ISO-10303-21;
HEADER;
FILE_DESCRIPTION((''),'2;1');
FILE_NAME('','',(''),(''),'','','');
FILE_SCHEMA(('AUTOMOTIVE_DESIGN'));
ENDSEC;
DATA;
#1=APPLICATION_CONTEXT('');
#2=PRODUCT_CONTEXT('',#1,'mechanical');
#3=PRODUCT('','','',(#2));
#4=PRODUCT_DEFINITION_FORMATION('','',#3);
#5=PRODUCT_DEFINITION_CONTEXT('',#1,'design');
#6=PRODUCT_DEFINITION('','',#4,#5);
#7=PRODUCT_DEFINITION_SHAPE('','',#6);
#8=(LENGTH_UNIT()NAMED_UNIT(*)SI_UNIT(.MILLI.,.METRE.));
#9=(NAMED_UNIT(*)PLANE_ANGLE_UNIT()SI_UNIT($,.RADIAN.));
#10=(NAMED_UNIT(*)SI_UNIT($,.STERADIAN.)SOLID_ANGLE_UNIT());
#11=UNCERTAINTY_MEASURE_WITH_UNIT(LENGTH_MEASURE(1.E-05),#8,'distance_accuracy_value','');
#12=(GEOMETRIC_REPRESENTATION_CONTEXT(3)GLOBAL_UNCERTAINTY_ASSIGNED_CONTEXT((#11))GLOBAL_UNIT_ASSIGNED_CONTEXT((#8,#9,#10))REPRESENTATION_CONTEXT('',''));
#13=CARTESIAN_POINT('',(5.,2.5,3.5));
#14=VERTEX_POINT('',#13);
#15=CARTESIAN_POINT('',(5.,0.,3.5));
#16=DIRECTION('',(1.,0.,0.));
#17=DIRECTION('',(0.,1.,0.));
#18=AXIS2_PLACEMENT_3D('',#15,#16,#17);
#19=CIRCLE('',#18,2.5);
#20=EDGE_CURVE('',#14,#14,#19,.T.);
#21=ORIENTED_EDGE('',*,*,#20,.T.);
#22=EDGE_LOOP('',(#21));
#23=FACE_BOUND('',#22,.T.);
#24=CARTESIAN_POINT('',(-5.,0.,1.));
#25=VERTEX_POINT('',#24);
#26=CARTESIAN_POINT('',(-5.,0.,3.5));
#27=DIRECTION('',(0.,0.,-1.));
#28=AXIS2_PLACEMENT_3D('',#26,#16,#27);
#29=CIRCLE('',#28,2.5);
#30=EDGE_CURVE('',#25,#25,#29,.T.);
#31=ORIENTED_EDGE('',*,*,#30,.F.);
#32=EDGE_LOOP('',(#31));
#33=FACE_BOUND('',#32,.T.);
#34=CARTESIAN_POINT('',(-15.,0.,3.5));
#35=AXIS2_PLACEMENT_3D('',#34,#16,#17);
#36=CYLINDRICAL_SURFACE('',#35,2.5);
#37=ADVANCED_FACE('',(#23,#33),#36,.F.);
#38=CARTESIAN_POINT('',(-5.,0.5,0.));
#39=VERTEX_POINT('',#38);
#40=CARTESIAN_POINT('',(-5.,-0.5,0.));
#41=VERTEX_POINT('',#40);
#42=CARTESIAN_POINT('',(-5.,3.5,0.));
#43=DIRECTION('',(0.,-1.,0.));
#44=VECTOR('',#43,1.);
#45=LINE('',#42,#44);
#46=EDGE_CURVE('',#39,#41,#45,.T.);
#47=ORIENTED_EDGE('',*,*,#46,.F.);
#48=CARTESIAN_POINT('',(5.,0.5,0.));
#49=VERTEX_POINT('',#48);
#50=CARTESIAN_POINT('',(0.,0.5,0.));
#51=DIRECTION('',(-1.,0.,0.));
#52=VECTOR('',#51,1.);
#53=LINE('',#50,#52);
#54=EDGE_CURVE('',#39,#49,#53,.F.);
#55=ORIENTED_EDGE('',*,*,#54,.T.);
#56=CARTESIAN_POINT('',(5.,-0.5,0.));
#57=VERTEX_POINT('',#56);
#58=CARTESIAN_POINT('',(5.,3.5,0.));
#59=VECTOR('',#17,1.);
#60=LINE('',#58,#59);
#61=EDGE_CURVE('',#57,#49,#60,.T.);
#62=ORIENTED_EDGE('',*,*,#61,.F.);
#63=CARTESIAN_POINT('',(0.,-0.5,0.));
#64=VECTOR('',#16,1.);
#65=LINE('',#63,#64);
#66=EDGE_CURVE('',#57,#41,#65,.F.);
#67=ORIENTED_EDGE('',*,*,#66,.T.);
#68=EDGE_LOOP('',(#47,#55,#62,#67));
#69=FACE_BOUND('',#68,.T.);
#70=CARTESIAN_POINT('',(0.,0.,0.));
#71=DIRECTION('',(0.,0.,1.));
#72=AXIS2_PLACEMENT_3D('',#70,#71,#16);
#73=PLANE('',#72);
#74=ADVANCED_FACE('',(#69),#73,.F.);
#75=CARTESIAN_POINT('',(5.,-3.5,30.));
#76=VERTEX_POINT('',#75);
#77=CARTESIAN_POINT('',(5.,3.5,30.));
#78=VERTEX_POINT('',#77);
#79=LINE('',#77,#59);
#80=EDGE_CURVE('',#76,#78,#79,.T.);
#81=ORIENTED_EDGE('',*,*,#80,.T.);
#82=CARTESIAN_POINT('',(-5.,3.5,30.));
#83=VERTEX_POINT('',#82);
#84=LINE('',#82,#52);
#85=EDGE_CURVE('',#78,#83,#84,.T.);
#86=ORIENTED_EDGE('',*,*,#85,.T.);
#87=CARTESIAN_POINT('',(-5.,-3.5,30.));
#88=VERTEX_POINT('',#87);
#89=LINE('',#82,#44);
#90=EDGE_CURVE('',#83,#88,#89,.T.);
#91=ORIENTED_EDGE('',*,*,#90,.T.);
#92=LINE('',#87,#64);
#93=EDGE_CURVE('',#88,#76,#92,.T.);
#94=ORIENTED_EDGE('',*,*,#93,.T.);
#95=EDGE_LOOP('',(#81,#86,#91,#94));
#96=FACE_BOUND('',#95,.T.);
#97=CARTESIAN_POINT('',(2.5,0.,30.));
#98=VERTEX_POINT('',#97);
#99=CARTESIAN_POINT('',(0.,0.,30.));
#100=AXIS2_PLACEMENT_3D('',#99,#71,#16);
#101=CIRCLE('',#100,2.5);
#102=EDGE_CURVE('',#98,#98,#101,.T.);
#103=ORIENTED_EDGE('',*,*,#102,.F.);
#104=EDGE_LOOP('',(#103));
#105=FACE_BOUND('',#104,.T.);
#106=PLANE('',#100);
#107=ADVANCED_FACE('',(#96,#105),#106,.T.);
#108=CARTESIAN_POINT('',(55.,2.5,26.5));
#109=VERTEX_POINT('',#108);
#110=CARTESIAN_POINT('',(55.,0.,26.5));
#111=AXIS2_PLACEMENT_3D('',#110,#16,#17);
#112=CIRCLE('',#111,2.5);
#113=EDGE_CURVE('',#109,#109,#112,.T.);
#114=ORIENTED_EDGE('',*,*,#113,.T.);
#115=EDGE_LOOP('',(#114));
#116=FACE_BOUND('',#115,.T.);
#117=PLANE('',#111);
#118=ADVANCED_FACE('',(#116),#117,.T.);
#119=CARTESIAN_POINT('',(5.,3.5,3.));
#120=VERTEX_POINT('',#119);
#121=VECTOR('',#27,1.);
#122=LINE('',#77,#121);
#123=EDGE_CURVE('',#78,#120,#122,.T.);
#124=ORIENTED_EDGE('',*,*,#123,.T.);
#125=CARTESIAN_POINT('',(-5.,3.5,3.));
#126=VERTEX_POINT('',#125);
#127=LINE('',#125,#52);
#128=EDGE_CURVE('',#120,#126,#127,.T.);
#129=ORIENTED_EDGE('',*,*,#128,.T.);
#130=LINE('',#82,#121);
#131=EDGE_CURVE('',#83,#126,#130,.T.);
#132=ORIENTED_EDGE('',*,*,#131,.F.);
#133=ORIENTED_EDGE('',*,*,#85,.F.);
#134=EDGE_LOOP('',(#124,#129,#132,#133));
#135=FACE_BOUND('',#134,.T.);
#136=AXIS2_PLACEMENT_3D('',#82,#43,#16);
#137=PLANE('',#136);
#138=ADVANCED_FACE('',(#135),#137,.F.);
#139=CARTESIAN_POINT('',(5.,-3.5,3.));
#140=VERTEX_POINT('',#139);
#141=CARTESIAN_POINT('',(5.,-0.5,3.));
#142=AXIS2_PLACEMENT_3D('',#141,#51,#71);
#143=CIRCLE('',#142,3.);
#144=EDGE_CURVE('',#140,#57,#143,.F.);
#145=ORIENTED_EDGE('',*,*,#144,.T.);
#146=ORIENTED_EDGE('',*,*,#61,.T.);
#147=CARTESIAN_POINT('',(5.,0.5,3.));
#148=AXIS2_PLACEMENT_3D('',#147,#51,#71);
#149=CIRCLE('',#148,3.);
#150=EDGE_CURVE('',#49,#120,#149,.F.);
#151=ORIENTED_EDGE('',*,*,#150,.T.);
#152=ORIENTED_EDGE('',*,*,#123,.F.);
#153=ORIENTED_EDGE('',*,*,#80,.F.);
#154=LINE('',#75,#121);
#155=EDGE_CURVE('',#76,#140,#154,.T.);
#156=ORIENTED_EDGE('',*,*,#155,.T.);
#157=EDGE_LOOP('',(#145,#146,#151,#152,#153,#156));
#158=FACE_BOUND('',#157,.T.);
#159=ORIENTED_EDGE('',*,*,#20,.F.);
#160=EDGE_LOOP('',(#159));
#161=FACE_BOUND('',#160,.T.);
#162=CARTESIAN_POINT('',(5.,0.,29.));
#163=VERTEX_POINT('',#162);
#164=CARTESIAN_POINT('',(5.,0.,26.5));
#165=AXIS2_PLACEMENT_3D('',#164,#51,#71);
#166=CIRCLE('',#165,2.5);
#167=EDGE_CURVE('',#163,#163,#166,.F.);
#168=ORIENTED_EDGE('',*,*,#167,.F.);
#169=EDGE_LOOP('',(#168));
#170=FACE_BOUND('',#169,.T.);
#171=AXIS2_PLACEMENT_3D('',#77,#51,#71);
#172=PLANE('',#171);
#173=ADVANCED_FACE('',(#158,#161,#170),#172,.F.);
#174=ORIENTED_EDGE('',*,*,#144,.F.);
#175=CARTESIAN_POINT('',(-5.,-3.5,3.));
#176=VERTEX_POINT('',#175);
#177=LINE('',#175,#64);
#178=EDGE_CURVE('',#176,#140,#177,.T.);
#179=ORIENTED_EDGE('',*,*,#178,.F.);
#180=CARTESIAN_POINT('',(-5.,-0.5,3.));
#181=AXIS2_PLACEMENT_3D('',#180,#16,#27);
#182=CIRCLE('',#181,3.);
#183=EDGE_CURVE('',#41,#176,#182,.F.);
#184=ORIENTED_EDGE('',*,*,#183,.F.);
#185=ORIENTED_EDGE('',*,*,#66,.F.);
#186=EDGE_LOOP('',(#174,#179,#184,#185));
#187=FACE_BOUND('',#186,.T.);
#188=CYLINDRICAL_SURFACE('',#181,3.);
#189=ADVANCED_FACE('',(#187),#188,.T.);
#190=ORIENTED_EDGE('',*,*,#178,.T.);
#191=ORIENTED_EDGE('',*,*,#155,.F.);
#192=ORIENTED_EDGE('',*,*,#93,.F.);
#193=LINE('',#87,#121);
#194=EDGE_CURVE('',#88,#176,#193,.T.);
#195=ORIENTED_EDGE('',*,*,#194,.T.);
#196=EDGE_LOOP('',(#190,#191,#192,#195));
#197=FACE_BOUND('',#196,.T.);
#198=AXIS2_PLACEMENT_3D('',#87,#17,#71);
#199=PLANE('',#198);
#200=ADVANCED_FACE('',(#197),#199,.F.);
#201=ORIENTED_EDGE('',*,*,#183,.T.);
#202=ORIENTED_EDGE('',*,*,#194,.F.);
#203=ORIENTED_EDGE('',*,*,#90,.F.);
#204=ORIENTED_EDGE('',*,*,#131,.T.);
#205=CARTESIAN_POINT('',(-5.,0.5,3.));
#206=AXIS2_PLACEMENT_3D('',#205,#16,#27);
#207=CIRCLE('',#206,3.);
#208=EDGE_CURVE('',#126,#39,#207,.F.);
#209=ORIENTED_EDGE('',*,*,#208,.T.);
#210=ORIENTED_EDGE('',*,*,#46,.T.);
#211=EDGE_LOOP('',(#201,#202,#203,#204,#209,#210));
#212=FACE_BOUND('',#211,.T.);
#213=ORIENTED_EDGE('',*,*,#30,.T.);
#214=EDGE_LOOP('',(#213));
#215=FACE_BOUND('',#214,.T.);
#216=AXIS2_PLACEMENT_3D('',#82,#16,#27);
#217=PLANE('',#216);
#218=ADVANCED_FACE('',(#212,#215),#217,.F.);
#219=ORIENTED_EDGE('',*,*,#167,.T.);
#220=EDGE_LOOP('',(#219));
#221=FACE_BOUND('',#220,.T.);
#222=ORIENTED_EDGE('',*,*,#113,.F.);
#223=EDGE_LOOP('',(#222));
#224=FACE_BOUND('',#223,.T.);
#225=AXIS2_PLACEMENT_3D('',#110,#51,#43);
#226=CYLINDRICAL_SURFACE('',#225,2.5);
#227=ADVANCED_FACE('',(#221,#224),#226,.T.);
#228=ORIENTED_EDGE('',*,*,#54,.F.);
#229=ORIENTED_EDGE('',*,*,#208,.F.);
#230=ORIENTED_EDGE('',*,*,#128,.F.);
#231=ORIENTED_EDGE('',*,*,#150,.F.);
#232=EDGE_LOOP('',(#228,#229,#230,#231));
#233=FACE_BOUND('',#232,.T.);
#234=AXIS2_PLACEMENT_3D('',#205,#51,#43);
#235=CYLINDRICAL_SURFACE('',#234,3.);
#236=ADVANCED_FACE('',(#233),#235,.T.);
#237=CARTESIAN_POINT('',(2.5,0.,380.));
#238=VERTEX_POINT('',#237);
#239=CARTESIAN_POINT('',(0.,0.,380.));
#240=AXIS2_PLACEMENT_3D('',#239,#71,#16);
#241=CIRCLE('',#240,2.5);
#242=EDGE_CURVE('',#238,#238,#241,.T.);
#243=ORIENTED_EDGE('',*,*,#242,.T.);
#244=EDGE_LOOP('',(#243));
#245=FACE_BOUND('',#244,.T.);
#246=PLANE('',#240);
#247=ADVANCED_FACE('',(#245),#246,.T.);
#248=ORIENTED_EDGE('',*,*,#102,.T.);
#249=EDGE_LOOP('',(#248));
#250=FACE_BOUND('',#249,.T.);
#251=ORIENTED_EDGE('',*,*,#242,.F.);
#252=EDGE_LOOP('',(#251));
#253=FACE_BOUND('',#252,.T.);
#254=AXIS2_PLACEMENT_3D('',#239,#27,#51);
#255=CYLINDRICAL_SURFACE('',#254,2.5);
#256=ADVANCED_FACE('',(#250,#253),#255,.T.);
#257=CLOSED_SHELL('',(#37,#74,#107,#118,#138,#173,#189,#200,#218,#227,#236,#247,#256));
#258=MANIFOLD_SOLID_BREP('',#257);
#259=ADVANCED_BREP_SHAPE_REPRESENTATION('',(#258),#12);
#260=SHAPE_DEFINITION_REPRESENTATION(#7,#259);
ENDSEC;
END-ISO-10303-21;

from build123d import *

# Parameters (mm, degrees)
SKETCH1_W           = 10
SKETCH1_H           = 7
BOSS_EXTRUDE1_DEPTH = 30
SKETCH2_R           = 2.5
CUT_EXTRUDE2_DEPTH  = 20
SKETCH2_3_R         = 2.5
BOSS_EXTRUDE2_DEPTH = 50
FILLET1_R           = 3
SKETCH3_R           = 2.5
BOSS_EXTRUDE3_DEPTH = 350


with BuildPart() as part:
    # Sketch1 → Boss-Extrude1 (new body)
    with BuildSketch(Plane.XY):
        Rectangle(SKETCH1_W, SKETCH1_H)
    extrude(amount=BOSS_EXTRUDE1_DEPTH)

    # Sketch2 → Cut-Extrude2 (cut)
    with BuildSketch(Plane(origin=(5, 0, 0), x_dir=(0, 0, -1), z_dir=(1, 0, 0))):
        with Locations((-3.5, 0)):
            Circle(SKETCH2_R)
    extrude(amount=-CUT_EXTRUDE2_DEPTH, mode=Mode.SUBTRACT)

    # Sketch2<3> → Boss-Extrude2 (add)
    with BuildSketch(Plane(origin=(5, 0, 0), x_dir=(0, 0, -1), z_dir=(1, 0, 0))):
        with Locations((-26.5, 0)):
            Circle(SKETCH2_3_R)
    extrude(amount=BOSS_EXTRUDE2_DEPTH)

    # Fillet1
    fillet1_edges = [part.edges().sort_by_distance(p)[0] for p in [
        (0, -3.5, 0),
        (0, 3.5, 0),
    ]]
    fillet(fillet1_edges, radius=FILLET1_R)

    # Sketch3 → Boss-Extrude3 (add)
    with BuildSketch(Plane.XY.offset(30)):
        Circle(SKETCH3_R)
    extrude(amount=BOSS_EXTRUDE3_DEPTH)


solid = part.part
